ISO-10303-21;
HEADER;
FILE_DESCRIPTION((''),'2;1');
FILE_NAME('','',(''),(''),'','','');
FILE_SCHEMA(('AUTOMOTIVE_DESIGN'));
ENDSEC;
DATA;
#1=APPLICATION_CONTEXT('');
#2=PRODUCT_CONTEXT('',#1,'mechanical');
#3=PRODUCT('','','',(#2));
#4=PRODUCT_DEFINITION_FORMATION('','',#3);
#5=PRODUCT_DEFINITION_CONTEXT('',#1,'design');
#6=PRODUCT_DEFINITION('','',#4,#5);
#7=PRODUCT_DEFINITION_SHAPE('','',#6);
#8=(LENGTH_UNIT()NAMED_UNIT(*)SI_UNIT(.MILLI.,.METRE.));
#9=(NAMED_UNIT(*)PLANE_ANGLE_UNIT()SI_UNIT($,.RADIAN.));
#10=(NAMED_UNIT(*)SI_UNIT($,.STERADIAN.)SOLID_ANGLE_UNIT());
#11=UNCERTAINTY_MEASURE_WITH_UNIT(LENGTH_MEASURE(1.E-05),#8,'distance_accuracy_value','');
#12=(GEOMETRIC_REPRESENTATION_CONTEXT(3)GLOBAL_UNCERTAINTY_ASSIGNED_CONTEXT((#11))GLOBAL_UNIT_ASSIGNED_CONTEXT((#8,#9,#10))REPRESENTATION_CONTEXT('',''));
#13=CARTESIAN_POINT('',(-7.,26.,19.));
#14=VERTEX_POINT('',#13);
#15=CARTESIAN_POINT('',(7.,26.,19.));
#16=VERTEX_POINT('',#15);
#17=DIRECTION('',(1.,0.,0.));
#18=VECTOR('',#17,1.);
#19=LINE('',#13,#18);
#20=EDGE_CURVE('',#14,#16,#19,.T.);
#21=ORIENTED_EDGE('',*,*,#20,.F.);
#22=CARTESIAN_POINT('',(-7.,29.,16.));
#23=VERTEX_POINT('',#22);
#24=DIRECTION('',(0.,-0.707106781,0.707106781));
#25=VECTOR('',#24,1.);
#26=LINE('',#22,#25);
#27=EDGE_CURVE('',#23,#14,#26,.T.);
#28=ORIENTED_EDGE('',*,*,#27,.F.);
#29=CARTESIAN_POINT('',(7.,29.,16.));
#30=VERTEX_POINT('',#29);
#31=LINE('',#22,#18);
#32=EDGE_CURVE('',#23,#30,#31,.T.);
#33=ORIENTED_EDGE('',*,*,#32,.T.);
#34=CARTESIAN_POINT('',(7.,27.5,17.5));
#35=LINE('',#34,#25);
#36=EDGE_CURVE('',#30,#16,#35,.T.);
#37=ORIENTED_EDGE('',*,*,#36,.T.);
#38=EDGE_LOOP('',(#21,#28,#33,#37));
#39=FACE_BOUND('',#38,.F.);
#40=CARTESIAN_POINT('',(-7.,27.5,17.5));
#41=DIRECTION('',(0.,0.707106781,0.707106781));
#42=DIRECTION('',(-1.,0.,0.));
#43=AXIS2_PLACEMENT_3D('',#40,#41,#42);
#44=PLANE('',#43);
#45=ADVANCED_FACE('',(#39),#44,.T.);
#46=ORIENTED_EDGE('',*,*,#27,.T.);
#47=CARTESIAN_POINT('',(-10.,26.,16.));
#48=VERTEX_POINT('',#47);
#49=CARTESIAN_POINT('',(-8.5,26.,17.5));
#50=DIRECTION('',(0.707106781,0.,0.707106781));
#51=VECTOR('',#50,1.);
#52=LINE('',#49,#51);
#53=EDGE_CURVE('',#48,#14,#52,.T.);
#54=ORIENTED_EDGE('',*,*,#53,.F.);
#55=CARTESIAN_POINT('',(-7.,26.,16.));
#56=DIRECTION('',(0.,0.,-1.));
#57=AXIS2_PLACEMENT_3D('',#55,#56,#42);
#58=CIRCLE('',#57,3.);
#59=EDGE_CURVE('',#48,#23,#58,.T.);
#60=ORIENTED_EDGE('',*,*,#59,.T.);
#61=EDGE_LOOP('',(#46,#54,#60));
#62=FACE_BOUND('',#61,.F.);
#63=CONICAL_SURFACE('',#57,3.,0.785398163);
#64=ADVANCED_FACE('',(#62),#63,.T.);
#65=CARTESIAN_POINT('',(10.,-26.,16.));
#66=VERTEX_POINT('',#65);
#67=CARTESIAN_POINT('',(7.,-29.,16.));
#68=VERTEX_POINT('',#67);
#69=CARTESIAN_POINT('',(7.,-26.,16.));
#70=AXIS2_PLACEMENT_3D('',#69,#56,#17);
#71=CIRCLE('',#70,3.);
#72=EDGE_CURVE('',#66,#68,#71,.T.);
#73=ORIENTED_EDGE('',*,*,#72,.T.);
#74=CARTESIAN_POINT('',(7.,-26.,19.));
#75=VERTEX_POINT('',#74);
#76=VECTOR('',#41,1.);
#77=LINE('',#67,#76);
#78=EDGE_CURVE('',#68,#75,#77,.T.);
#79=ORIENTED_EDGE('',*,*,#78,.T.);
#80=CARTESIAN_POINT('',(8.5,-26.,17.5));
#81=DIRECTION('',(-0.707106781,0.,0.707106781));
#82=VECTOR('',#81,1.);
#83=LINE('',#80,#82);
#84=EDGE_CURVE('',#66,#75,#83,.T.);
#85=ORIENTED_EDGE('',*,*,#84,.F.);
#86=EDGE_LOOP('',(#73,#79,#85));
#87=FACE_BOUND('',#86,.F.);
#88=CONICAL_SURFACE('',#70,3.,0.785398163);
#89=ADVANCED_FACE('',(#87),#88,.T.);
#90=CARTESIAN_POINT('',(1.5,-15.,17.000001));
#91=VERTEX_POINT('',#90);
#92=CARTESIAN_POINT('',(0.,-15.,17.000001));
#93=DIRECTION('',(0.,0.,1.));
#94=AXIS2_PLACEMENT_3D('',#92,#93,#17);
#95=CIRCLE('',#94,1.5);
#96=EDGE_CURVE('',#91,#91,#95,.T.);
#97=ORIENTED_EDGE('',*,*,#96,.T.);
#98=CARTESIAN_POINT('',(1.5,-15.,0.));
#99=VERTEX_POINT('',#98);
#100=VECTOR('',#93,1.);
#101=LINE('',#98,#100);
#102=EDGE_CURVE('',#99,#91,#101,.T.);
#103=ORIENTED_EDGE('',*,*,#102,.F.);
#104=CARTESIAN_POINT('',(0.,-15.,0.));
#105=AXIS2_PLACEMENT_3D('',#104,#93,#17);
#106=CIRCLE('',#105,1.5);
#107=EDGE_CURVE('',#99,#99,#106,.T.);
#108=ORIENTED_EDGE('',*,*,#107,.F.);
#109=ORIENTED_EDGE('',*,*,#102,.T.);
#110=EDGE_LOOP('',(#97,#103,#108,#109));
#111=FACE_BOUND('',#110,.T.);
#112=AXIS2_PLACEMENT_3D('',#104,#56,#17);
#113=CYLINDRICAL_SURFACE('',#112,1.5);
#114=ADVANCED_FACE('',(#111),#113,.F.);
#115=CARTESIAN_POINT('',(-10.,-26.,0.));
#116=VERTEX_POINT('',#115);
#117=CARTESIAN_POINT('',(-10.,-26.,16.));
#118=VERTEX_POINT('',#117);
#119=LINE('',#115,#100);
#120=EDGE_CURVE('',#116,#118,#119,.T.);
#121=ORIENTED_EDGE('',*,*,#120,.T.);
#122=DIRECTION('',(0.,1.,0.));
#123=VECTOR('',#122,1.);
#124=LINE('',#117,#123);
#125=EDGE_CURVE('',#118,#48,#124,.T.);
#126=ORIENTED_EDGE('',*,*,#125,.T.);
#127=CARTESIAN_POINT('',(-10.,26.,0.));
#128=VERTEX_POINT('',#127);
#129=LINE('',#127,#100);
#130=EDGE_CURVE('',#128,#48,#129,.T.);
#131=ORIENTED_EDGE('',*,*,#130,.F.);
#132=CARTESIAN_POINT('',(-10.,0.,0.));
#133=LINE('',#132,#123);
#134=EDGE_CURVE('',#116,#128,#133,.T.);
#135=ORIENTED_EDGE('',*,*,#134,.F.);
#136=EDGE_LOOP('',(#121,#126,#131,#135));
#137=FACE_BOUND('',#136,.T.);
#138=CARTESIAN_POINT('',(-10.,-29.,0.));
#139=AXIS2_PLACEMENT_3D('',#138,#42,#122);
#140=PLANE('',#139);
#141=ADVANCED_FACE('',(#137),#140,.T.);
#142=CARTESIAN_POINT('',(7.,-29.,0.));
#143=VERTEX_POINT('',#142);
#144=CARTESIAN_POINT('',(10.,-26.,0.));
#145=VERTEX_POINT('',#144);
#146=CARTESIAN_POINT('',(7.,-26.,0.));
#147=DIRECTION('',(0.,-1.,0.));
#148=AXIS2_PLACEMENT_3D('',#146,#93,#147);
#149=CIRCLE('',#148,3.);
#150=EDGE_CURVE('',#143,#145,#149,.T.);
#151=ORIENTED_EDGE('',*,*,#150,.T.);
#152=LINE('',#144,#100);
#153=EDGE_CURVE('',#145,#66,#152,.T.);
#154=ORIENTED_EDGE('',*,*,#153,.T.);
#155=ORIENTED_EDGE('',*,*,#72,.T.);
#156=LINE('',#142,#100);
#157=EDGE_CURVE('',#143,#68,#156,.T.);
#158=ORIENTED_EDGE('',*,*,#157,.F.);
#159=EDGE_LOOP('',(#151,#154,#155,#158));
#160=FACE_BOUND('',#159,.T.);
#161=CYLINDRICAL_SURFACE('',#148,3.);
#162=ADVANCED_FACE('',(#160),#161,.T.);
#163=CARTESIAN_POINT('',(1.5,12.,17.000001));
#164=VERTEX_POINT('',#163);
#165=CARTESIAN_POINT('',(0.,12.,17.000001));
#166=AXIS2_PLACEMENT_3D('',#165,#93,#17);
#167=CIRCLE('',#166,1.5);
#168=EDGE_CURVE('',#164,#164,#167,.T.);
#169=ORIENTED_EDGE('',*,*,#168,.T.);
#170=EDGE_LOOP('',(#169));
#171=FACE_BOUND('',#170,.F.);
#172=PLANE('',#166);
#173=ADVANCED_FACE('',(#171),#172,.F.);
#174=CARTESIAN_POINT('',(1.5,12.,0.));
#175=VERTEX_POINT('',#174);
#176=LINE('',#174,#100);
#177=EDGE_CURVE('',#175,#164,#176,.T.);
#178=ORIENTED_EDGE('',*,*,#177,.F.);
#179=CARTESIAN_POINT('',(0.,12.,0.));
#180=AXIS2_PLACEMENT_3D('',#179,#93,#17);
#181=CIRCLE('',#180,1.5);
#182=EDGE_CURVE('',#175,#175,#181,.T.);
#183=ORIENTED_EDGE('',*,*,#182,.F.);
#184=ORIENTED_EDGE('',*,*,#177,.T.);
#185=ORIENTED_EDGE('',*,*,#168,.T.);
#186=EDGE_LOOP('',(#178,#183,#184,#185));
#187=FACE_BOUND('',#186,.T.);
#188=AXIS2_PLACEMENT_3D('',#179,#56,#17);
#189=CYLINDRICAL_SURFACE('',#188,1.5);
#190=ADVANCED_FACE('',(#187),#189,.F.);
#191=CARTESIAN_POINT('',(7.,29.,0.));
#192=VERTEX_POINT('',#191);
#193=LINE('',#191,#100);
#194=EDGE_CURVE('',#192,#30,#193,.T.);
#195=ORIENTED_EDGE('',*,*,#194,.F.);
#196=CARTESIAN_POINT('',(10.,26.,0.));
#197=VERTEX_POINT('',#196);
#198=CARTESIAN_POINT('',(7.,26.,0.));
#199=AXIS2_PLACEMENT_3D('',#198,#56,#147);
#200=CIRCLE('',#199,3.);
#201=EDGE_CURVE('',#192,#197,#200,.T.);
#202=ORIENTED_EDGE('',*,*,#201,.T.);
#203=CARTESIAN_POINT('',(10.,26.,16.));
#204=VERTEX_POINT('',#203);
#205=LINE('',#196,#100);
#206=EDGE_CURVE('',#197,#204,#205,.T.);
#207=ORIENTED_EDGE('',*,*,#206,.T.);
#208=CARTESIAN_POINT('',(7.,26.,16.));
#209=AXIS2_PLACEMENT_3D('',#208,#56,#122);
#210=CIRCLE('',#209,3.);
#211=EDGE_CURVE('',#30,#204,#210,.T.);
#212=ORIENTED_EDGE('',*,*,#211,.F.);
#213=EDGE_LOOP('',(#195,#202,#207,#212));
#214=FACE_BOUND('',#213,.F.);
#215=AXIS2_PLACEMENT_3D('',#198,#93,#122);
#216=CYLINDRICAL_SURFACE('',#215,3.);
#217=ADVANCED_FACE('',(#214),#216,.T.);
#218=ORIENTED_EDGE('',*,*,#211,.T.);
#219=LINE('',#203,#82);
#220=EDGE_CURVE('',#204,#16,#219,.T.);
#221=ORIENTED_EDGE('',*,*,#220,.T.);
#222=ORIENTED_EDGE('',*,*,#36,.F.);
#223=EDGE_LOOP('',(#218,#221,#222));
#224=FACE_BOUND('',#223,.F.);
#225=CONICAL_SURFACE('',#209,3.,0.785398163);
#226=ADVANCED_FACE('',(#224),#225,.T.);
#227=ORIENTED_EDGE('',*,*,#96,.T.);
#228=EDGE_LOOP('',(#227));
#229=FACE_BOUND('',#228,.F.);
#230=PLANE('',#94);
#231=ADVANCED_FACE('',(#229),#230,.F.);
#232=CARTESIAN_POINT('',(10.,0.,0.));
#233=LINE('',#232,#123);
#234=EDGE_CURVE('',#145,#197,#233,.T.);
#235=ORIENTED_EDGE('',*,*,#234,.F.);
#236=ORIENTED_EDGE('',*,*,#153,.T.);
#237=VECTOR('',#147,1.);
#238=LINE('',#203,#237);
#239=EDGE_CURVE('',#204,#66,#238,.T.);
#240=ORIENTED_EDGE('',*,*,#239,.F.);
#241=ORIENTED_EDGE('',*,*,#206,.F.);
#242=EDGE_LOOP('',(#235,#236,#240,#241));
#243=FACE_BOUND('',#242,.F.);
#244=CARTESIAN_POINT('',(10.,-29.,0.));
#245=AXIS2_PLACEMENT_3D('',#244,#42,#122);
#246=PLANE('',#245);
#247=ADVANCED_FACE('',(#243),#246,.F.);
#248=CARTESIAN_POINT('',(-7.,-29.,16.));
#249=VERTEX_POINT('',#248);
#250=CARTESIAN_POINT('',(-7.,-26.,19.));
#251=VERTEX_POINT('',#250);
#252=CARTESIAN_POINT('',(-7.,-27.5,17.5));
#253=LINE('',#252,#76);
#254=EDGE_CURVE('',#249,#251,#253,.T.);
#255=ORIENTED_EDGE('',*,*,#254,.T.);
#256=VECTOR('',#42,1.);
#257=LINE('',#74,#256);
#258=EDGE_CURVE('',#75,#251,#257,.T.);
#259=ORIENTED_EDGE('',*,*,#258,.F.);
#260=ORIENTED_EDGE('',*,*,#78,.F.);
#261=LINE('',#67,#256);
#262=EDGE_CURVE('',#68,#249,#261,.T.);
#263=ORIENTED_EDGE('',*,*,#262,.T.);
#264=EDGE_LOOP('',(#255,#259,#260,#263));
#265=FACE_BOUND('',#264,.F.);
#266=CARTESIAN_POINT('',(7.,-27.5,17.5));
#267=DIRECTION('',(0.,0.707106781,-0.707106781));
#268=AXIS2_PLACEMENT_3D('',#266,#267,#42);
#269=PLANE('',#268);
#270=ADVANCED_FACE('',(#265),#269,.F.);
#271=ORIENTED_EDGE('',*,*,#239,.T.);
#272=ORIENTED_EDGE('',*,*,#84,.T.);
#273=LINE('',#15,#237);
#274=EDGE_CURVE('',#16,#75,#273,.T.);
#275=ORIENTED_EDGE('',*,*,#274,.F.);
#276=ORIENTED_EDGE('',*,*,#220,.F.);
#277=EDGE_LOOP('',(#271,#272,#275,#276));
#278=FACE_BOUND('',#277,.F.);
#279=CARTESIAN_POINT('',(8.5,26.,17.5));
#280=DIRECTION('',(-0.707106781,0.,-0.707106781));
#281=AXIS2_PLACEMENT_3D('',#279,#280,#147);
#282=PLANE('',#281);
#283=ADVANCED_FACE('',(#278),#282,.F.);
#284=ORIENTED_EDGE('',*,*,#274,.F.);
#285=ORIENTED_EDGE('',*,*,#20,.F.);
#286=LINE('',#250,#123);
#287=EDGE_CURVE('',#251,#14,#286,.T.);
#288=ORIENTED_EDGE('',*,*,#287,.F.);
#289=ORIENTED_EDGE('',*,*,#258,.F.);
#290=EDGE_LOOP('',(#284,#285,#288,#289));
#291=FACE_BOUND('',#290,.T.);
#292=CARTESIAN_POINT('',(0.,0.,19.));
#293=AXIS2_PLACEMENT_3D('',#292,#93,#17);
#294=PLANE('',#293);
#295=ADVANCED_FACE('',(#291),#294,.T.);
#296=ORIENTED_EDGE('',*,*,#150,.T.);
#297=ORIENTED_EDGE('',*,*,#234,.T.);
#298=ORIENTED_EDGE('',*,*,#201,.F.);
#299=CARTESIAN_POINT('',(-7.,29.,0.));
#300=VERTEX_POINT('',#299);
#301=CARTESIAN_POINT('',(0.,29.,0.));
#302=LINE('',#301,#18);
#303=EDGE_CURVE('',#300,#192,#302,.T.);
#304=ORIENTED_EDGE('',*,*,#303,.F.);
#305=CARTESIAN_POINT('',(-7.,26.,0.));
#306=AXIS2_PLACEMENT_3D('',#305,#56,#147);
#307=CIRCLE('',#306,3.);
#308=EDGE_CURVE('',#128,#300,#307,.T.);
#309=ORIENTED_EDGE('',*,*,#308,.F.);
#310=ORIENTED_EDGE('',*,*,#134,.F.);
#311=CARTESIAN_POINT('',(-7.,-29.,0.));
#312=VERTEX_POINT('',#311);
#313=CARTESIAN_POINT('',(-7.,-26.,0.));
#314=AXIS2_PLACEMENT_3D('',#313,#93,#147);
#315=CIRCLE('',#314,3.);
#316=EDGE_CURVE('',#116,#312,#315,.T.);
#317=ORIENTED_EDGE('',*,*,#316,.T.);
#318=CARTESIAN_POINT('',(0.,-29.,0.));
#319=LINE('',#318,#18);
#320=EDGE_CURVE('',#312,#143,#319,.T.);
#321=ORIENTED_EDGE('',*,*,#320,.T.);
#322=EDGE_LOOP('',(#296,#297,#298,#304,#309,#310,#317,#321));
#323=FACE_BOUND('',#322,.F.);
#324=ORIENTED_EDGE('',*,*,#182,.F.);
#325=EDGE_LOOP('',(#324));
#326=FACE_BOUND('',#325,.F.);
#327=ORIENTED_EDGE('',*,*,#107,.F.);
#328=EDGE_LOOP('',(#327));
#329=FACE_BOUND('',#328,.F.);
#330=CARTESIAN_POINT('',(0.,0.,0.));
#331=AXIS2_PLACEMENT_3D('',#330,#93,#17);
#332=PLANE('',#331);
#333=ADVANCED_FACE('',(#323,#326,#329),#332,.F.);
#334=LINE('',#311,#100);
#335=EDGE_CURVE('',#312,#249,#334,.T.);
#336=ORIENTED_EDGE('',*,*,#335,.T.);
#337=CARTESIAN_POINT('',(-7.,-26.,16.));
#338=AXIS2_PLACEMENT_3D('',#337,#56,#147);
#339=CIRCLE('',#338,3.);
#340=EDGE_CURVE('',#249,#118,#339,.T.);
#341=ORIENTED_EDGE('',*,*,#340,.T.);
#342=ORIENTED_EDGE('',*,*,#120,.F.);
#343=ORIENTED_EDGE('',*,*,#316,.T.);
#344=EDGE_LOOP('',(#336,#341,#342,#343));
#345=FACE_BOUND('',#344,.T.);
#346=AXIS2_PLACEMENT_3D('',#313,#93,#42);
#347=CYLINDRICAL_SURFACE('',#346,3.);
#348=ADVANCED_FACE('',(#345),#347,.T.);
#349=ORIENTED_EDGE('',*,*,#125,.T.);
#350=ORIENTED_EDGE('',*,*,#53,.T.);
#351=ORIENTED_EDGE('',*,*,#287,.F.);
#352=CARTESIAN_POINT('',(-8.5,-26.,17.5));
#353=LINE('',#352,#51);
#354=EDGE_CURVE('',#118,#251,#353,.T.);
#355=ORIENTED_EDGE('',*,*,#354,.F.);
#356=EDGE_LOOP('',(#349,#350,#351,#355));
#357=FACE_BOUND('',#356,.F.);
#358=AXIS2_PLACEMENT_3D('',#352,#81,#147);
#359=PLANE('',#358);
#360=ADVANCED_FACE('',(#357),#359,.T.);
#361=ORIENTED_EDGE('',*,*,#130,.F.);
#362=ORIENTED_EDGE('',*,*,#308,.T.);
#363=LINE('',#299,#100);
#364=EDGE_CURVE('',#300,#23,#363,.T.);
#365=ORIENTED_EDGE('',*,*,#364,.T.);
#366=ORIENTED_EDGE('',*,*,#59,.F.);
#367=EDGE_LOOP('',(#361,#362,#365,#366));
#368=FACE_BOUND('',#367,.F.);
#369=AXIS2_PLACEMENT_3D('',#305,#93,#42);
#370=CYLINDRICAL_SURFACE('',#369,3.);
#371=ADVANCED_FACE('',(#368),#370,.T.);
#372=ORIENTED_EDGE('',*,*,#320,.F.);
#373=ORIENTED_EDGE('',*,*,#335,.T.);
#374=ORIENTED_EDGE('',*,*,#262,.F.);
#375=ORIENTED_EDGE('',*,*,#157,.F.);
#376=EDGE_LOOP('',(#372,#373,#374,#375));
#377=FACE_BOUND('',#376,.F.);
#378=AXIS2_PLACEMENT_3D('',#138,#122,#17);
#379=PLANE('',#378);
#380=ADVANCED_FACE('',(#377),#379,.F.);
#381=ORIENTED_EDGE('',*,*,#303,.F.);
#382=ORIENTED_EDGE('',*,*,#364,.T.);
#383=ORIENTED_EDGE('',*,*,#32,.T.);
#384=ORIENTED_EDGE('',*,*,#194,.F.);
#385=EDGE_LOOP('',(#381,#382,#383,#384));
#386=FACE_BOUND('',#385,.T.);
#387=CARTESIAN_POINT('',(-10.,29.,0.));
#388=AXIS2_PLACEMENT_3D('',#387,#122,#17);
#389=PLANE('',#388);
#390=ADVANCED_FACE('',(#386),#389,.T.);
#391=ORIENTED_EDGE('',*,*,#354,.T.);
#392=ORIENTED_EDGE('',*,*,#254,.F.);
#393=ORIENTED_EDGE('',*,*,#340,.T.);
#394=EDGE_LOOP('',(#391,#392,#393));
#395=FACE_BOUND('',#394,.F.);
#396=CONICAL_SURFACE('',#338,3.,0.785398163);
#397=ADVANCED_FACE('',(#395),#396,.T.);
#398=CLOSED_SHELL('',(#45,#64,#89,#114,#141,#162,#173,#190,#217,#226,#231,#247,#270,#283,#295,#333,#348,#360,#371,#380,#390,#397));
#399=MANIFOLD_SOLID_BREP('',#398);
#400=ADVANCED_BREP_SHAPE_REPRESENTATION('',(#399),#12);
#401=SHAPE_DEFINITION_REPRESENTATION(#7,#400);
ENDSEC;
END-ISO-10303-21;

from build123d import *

# Parameters (mm, degrees)
F0_W     = 20
F0_H     = 58
F1_DEPTH = 19
F2_R     = 1.5
F3_DEPTH = 17.000001
F4_R     = 3
F5_SIZE  = 3


with BuildPart() as f1:
    # F0 (on Top) → F1 (new body)
    with BuildSketch(Plane.XY):
        Rectangle(F0_W, F0_H)
    extrude(amount=F1_DEPTH)

    # F2 (on Top) → F3 (cut)
    with BuildSketch(Plane.XY):
        with Locations((0, 12)):
            Circle(F2_R)
        with Locations((0, -15)):
            Circle(F2_R)
    extrude(amount=F3_DEPTH, mode=Mode.SUBTRACT)

    # F4
    f4_edges = [f1.edges().sort_by_distance(p)[0] for p in [
        (-10, 29, 9.5),
        (10, 29, 9.5),
        (-10, -29, 9.5),
        (10, -29, 9.5),
    ]]
    fillet(f4_edges, radius=F4_R)

    # F5
    f5_edges = [f1.edges().sort_by_distance(p)[0] for p in [
        (-10, 0, 19),
    ]]
    chamfer(f5_edges, length=F5_SIZE)


solid = f1.part
